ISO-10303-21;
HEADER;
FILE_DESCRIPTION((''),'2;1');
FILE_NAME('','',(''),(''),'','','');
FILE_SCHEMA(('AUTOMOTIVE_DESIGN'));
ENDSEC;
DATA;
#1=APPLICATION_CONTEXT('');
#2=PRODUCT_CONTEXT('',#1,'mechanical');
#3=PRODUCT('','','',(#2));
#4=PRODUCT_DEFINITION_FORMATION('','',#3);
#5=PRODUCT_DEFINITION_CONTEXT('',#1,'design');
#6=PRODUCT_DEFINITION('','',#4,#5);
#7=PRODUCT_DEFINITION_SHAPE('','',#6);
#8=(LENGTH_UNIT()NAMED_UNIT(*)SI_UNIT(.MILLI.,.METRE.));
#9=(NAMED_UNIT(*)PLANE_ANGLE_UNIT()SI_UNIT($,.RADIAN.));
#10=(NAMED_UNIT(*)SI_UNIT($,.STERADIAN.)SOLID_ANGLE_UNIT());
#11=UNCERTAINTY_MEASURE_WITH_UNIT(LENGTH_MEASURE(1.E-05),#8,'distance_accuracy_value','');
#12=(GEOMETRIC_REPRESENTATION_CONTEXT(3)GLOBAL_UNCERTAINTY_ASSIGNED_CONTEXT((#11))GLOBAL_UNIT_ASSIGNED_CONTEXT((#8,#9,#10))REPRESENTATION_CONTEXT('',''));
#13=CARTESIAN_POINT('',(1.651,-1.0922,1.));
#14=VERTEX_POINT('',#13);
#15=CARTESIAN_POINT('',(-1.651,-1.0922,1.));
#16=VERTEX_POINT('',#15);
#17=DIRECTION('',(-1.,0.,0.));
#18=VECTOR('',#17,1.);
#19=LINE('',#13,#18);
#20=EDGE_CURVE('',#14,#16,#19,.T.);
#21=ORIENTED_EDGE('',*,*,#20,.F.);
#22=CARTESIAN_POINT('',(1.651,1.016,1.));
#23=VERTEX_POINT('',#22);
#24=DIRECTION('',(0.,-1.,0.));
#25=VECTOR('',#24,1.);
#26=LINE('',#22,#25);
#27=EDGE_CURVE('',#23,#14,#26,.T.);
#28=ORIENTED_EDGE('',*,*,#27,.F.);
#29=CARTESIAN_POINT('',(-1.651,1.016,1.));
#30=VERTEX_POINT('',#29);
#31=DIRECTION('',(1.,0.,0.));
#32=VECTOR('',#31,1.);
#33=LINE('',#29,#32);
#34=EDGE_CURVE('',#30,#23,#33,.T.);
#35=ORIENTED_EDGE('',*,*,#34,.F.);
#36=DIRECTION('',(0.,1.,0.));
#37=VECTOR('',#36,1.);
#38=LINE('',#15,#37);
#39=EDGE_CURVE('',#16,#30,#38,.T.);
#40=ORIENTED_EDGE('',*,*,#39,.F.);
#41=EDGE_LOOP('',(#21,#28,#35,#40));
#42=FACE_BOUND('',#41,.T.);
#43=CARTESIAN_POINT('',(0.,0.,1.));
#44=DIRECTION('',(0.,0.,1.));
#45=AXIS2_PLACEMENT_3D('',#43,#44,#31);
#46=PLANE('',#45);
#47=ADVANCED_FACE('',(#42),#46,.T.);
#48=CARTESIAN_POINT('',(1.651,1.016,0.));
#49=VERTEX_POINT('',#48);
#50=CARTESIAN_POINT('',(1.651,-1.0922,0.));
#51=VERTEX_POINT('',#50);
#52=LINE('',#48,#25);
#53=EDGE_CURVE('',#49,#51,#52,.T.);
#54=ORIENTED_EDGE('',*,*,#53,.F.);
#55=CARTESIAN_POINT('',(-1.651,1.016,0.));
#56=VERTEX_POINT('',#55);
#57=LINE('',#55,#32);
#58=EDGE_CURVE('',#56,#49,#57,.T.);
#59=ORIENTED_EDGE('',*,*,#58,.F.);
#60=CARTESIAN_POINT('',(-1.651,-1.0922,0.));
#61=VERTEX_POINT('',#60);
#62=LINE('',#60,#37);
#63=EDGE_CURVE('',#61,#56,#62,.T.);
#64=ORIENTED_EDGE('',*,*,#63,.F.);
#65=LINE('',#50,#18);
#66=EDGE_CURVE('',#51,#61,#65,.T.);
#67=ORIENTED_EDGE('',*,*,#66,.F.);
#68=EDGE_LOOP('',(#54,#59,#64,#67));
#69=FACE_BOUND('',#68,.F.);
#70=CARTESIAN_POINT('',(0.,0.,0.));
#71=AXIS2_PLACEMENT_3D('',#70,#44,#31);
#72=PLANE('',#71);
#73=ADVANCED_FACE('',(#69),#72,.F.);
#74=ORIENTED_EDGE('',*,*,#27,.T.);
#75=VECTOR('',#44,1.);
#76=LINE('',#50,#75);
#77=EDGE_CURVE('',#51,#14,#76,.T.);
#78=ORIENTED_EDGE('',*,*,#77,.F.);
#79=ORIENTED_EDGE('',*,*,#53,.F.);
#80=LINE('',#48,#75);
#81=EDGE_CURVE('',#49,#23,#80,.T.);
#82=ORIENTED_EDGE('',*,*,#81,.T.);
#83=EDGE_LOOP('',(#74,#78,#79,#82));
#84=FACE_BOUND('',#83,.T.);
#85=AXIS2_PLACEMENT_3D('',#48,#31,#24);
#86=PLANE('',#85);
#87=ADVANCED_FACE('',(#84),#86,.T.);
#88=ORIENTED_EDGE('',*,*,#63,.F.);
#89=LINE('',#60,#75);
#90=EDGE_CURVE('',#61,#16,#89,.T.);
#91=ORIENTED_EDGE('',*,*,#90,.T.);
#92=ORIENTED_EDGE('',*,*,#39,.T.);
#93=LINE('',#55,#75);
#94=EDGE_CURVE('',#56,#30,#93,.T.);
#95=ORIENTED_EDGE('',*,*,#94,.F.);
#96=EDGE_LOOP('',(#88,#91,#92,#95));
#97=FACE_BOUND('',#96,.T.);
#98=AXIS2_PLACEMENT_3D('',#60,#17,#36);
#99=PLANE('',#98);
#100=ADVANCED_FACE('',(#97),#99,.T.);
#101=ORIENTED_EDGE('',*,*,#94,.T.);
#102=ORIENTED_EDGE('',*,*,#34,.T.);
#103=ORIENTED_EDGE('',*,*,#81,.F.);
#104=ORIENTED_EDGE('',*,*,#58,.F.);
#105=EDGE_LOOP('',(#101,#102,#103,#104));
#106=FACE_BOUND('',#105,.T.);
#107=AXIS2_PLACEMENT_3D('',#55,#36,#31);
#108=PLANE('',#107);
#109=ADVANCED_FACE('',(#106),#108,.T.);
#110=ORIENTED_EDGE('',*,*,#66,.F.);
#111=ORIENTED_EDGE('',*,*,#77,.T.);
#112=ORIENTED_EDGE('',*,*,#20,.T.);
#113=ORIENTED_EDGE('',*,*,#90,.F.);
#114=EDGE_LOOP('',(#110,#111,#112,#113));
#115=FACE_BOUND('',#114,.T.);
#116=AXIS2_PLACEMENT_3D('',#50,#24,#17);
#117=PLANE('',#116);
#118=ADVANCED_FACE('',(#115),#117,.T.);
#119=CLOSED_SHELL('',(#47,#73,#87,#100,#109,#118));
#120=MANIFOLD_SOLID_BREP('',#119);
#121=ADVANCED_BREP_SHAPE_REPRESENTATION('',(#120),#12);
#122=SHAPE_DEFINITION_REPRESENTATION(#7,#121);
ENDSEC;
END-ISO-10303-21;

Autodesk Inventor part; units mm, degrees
ref_plane "YZ Plane" through (0, 0, 0) normal (1, 0, 0) x (0, 1, 0)
ref_plane "XZ Plane" through (0, 0, 0) normal (0, 1, 0) x (-1, 0, 0)
ref_plane "XY Plane" through (0, 0, 0) normal (0, 0, 1) x (1, 0, 0)
sketch "SJ, SYNC_SJ_121" plane through (0, 0, 0) normal (0, 0, 1) x (1, 0, 0)
  line L0 (-1.651, 1.016) -> (1.651, 1.016)
  line L1 (1.651, 1.016) -> (1.651, -1.0922)
  line L2 (1.651, -1.0922) -> (-1.651, -1.0922)
  line L3 (-1.651, -1.0922) -> (-1.651, 1.016)
extrude "Extrusion1" add sketch "SJ, SYNC_SJ_121" along normal blind 1
properties part number "SYNC_SJ"
